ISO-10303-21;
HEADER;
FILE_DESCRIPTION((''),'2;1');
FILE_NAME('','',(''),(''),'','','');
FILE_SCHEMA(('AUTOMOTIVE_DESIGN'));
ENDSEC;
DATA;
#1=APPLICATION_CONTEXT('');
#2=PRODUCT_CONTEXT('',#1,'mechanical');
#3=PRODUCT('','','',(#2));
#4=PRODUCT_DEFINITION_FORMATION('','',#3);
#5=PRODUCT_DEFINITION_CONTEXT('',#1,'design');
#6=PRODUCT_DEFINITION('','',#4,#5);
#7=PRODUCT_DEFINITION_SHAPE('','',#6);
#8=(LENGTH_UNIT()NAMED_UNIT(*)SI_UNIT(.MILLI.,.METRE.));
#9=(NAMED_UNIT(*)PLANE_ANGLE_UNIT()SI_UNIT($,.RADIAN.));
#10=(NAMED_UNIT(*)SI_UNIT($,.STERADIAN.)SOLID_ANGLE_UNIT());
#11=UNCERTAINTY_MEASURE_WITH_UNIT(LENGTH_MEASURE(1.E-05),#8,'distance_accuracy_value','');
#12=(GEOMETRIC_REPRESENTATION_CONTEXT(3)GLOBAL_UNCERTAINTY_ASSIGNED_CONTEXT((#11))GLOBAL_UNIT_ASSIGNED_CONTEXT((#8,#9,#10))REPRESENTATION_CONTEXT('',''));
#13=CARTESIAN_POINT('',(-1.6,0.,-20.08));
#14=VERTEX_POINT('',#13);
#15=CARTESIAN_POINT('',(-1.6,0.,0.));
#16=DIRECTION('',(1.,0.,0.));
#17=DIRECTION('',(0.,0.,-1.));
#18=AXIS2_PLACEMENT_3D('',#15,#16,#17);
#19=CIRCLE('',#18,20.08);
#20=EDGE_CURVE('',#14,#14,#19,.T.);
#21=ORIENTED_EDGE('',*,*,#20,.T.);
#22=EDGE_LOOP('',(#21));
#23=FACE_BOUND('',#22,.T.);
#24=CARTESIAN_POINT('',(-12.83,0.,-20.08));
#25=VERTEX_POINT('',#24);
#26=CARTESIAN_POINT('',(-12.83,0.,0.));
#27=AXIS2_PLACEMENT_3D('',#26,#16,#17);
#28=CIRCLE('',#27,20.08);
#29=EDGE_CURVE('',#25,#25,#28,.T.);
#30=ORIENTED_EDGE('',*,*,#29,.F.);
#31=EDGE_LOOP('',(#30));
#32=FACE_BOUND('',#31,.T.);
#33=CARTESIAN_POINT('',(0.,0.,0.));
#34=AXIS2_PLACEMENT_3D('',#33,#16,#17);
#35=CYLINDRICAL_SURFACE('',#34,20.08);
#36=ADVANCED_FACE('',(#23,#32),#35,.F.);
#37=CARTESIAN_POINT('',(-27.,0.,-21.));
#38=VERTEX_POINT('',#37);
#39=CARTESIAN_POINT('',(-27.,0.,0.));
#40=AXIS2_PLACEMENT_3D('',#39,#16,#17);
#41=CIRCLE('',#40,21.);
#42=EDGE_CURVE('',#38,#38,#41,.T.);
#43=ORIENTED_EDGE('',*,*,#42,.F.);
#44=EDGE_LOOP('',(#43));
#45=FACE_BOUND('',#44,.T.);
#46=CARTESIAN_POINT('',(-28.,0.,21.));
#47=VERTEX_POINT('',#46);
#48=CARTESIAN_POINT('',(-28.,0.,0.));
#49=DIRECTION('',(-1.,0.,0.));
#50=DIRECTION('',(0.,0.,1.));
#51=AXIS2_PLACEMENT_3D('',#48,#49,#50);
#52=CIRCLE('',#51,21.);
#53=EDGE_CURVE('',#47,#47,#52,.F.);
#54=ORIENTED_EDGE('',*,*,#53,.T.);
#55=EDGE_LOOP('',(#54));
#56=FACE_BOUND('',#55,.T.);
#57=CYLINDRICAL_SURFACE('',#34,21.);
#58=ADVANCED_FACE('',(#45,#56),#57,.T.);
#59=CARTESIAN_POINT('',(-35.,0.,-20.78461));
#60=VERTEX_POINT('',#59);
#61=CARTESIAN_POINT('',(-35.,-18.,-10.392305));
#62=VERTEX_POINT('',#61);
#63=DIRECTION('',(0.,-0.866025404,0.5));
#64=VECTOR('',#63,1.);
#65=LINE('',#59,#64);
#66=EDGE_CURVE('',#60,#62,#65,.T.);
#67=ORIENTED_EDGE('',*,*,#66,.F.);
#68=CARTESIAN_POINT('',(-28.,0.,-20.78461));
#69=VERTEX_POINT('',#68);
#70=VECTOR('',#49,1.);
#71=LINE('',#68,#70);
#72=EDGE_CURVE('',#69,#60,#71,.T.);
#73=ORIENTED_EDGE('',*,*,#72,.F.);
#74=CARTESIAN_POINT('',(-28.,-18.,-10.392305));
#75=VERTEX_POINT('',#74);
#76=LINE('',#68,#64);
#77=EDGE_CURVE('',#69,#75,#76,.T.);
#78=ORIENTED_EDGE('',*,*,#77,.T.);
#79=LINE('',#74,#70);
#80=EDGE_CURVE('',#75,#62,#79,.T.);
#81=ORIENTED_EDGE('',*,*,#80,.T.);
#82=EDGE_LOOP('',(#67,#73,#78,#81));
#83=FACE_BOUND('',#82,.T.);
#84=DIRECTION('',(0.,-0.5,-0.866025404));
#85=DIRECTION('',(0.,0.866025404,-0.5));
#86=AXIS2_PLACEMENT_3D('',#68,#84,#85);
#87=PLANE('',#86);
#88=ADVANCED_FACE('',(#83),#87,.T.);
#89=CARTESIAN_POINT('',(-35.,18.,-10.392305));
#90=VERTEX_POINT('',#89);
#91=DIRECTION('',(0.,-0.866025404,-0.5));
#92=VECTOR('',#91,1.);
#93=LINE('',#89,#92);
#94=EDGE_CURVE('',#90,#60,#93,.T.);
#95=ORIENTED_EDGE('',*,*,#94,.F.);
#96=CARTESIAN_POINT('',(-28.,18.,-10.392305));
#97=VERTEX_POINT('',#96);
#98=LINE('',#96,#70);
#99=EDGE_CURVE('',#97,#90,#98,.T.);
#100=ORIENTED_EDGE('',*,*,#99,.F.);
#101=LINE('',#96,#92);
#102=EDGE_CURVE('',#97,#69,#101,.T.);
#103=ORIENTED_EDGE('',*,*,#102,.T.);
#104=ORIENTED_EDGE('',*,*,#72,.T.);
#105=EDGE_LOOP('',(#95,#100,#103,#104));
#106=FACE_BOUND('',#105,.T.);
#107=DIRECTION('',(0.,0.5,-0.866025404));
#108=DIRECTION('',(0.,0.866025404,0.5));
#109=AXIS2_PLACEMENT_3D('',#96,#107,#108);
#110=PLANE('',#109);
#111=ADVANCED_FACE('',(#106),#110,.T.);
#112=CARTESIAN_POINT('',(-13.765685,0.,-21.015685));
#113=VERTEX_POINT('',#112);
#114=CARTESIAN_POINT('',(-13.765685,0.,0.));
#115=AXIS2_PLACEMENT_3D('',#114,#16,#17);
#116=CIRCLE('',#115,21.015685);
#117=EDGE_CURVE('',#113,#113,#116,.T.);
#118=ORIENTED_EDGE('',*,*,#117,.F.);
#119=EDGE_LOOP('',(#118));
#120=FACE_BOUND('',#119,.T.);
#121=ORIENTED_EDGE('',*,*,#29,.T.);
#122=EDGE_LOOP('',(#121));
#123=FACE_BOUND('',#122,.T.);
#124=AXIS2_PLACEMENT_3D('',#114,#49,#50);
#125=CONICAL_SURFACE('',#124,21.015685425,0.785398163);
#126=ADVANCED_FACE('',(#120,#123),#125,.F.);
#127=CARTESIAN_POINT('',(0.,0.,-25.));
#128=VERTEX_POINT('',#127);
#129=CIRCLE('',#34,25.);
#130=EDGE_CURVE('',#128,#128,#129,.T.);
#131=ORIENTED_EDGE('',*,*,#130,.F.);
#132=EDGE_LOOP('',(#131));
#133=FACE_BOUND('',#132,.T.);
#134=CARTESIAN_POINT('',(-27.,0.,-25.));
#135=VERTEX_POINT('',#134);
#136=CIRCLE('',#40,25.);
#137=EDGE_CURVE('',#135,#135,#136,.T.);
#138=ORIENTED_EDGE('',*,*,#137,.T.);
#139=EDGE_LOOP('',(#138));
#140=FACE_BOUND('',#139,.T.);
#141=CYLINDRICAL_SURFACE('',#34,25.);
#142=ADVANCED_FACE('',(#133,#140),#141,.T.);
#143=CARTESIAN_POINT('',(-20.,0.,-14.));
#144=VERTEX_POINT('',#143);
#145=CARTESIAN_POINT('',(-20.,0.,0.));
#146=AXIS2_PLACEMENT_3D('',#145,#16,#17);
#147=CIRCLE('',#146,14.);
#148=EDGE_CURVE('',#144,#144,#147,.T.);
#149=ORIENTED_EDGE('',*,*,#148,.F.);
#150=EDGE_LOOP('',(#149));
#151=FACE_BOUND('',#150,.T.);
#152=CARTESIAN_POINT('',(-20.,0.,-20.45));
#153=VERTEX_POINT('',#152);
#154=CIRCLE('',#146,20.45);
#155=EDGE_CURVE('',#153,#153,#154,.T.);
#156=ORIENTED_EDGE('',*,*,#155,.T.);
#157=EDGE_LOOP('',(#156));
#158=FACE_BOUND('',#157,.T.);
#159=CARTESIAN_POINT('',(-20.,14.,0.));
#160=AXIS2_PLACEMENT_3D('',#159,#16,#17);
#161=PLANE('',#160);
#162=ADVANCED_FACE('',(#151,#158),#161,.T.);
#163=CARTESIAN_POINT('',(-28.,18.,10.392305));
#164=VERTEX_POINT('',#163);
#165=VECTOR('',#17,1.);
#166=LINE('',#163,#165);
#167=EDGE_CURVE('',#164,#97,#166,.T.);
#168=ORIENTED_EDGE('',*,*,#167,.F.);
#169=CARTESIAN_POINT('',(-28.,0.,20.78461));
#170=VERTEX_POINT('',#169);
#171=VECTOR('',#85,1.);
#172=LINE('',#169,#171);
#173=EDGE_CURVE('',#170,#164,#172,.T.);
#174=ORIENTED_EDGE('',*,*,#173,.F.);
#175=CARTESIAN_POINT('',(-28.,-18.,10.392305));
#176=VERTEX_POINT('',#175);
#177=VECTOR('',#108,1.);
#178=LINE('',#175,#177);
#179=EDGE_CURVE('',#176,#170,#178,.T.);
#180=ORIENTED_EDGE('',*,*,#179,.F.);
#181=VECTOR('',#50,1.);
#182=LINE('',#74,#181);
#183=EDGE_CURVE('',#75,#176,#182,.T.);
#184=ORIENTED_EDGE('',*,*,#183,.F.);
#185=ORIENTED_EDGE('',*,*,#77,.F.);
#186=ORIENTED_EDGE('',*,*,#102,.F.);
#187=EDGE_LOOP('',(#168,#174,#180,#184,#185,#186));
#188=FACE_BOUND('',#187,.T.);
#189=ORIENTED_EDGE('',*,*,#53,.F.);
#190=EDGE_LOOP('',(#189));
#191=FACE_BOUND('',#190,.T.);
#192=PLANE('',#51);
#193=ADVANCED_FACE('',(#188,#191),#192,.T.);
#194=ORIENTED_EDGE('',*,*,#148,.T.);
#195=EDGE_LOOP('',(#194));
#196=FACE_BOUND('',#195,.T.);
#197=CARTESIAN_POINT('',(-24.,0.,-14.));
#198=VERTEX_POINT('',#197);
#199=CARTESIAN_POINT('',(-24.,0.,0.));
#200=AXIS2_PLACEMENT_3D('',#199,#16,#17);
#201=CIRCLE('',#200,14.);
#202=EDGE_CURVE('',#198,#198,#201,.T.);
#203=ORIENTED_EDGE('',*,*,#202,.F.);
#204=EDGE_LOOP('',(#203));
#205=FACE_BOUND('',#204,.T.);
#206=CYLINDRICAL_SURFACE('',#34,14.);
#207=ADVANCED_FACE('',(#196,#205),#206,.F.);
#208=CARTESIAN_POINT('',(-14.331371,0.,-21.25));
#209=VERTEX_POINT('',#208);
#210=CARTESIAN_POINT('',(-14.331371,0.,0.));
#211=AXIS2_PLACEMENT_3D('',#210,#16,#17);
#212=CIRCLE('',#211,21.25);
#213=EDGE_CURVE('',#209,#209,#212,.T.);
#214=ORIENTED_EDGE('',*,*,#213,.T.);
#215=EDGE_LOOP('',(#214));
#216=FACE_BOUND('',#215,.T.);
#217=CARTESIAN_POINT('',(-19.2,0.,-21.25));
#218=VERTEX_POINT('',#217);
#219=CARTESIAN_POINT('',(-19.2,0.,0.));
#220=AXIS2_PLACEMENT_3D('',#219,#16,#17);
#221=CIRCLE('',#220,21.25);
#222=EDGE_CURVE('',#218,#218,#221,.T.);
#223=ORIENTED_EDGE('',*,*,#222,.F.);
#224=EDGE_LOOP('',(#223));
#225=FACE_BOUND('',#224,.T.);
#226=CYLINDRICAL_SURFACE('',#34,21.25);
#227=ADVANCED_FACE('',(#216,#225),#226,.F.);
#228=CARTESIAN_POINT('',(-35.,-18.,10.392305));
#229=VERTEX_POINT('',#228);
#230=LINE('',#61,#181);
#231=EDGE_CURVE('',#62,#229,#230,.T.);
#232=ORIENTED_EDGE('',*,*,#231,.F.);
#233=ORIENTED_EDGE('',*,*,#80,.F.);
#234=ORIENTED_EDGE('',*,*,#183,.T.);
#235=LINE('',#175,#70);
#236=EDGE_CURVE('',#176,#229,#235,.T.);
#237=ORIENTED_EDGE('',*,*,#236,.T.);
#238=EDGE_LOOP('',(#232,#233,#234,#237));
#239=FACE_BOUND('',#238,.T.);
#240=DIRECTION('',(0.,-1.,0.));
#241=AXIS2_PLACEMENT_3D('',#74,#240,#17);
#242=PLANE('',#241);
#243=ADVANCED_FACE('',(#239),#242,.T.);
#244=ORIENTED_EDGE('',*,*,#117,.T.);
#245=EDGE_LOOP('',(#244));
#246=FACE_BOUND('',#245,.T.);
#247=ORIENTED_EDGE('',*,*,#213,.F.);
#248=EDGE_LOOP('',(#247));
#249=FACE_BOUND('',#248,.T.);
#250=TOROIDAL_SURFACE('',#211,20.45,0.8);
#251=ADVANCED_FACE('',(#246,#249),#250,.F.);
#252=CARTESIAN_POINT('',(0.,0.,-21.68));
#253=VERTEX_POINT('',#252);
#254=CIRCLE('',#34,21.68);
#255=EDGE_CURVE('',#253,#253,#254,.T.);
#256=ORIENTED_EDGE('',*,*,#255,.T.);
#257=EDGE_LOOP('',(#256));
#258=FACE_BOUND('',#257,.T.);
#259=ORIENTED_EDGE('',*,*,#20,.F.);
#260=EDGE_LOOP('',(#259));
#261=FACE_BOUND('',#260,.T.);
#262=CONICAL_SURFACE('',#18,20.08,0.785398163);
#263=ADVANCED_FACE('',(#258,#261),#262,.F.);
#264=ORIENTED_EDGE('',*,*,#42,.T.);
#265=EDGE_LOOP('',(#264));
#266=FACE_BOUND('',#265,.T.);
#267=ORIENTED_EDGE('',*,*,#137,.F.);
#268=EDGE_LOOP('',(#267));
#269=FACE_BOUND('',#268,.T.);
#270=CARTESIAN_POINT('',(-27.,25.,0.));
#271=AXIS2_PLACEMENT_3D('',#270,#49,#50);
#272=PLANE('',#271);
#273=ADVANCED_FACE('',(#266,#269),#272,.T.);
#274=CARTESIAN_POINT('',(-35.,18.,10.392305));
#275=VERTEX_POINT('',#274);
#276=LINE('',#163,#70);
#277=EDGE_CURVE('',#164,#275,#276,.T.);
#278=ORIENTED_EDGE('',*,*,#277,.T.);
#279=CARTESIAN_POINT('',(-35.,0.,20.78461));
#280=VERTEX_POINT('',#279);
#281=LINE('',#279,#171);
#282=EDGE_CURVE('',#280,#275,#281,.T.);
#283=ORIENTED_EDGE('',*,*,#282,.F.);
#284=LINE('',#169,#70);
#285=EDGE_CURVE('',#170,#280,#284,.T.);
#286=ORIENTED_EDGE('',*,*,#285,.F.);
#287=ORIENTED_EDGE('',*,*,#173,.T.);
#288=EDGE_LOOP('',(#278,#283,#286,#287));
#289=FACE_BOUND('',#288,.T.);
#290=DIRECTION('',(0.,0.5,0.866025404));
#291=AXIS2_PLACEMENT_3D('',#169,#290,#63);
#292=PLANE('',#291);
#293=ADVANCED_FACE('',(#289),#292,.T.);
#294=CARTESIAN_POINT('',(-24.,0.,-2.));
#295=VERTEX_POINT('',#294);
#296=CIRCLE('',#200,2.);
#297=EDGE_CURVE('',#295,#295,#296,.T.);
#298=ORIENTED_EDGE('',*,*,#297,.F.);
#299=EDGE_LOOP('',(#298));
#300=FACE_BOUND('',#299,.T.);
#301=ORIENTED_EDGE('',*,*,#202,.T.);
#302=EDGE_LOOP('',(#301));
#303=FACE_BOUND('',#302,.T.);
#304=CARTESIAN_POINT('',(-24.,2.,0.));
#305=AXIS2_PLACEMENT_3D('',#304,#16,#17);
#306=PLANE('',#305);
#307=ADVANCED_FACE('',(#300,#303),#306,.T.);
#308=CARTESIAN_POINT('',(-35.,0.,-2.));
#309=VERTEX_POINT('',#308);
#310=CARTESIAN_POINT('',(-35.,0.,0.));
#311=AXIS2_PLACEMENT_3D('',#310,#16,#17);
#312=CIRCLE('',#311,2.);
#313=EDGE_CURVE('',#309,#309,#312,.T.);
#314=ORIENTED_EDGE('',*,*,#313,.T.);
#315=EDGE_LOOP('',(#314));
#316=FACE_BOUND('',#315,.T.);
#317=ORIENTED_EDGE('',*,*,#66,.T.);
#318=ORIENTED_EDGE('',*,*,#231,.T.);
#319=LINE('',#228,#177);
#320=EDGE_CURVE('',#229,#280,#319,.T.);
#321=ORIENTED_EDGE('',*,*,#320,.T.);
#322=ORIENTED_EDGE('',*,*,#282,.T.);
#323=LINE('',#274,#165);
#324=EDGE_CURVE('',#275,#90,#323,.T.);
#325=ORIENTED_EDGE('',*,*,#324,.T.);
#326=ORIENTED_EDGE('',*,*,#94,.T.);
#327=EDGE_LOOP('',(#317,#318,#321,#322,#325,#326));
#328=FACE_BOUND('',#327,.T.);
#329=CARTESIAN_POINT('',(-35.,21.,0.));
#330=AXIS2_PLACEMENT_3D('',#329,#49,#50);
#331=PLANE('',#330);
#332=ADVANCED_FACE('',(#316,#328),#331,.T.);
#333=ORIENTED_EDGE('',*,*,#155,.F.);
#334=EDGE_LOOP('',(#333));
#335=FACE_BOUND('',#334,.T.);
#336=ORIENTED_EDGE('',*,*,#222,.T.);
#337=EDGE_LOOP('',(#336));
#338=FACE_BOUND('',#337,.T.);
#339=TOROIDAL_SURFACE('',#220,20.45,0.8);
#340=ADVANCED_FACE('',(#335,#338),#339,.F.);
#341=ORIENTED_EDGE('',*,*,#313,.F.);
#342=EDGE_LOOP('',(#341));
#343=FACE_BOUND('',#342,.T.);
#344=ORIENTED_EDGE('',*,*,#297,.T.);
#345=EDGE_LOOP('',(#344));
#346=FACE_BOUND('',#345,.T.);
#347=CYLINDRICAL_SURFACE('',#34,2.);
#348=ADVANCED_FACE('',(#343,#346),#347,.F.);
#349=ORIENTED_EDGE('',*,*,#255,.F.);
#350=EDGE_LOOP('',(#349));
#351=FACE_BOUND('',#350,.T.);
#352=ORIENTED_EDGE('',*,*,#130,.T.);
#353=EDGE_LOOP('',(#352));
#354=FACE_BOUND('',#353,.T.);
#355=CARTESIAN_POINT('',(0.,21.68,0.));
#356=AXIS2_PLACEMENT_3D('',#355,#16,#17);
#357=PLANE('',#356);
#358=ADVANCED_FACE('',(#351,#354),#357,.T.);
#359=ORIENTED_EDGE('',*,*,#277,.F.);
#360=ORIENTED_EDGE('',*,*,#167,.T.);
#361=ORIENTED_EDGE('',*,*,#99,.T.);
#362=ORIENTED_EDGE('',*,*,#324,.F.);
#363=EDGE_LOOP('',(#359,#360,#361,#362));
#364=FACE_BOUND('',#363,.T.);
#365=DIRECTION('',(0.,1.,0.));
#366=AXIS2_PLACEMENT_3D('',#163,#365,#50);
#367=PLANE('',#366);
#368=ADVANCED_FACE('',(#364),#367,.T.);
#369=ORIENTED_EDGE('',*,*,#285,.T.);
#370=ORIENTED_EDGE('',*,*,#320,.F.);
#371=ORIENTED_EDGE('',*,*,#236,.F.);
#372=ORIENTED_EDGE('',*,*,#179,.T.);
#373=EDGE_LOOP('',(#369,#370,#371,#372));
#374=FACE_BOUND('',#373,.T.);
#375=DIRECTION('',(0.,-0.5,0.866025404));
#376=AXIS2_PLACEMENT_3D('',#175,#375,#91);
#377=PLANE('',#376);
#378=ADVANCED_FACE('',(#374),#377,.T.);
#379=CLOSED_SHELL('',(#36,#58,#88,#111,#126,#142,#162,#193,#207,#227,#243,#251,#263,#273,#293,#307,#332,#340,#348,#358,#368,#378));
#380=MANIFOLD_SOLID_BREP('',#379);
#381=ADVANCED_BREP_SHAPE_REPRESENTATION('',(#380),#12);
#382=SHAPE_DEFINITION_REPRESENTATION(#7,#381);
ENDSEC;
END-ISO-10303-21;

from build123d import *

# Parameters (mm, degrees)
SKETCH_4_OUTSIDE_W  = 67.78
SKETCH_4_OUTSIDE_H  = 67.78
CUT_EXTRUDE_1_DEPTH = 7


with BuildPart() as part:
    # Эскиз1 → Повернуть1 (revolve)
    with BuildSketch(Plane.XY, mode=Mode.PRIVATE) as revolve_1_sk:
        with BuildLine():
            Line((0, 21.68), (0, 25))
            Line((0, 25), (-27, 25))
            Line((-27, 25), (-27, 21))
            Line((-27, 21), (-35, 21))
            Line((-35, 21), (-35, 2))
            Line((-35, 2), (-24, 2))
            Line((-24, 2), (-24, 14))
            Line((-24, 14), (-20, 14))
            Line((-20, 14), (-20, 20.45))
            ThreePointArc((-20, 20.45), (-19.765685425, 21.015685425), (-19.2, 21.25))
            Line((-19.2, 21.25), (-14.33137085, 21.25))
            ThreePointArc((-14.33137085, 21.25), (-14.025224104, 21.189103626), (-13.765685425, 21.015685425))
            Line((-13.765685425, 21.015685425), (-12.83, 20.08))
            Line((-12.83, 20.08), (-1.6, 20.08))
            Line((-1.6, 20.08), (0, 21.68))
        make_face()
    revolve(revolve_1_sk.sketch.rotate(Axis((0, 0, 0), (-1, 0, 0)), 90), axis=Axis((0, 0, 0), (-1, 0, 0)))

    # Эскиз4 outside → Вырез-Вытянуть1 (cut)
    with BuildSketch(Plane.ZY.offset(35)):
        Rectangle(SKETCH_4_OUTSIDE_W, SKETCH_4_OUTSIDE_H)
        Polygon((20.784609691, 0), (10.392304845, 18), (-10.392304845, 18), (-20.784609691, 0), (-10.392304845, -18), (10.392304845, -18), align=None, mode=Mode.SUBTRACT)
    extrude(amount=-CUT_EXTRUDE_1_DEPTH, mode=Mode.SUBTRACT)


solid = part.part
